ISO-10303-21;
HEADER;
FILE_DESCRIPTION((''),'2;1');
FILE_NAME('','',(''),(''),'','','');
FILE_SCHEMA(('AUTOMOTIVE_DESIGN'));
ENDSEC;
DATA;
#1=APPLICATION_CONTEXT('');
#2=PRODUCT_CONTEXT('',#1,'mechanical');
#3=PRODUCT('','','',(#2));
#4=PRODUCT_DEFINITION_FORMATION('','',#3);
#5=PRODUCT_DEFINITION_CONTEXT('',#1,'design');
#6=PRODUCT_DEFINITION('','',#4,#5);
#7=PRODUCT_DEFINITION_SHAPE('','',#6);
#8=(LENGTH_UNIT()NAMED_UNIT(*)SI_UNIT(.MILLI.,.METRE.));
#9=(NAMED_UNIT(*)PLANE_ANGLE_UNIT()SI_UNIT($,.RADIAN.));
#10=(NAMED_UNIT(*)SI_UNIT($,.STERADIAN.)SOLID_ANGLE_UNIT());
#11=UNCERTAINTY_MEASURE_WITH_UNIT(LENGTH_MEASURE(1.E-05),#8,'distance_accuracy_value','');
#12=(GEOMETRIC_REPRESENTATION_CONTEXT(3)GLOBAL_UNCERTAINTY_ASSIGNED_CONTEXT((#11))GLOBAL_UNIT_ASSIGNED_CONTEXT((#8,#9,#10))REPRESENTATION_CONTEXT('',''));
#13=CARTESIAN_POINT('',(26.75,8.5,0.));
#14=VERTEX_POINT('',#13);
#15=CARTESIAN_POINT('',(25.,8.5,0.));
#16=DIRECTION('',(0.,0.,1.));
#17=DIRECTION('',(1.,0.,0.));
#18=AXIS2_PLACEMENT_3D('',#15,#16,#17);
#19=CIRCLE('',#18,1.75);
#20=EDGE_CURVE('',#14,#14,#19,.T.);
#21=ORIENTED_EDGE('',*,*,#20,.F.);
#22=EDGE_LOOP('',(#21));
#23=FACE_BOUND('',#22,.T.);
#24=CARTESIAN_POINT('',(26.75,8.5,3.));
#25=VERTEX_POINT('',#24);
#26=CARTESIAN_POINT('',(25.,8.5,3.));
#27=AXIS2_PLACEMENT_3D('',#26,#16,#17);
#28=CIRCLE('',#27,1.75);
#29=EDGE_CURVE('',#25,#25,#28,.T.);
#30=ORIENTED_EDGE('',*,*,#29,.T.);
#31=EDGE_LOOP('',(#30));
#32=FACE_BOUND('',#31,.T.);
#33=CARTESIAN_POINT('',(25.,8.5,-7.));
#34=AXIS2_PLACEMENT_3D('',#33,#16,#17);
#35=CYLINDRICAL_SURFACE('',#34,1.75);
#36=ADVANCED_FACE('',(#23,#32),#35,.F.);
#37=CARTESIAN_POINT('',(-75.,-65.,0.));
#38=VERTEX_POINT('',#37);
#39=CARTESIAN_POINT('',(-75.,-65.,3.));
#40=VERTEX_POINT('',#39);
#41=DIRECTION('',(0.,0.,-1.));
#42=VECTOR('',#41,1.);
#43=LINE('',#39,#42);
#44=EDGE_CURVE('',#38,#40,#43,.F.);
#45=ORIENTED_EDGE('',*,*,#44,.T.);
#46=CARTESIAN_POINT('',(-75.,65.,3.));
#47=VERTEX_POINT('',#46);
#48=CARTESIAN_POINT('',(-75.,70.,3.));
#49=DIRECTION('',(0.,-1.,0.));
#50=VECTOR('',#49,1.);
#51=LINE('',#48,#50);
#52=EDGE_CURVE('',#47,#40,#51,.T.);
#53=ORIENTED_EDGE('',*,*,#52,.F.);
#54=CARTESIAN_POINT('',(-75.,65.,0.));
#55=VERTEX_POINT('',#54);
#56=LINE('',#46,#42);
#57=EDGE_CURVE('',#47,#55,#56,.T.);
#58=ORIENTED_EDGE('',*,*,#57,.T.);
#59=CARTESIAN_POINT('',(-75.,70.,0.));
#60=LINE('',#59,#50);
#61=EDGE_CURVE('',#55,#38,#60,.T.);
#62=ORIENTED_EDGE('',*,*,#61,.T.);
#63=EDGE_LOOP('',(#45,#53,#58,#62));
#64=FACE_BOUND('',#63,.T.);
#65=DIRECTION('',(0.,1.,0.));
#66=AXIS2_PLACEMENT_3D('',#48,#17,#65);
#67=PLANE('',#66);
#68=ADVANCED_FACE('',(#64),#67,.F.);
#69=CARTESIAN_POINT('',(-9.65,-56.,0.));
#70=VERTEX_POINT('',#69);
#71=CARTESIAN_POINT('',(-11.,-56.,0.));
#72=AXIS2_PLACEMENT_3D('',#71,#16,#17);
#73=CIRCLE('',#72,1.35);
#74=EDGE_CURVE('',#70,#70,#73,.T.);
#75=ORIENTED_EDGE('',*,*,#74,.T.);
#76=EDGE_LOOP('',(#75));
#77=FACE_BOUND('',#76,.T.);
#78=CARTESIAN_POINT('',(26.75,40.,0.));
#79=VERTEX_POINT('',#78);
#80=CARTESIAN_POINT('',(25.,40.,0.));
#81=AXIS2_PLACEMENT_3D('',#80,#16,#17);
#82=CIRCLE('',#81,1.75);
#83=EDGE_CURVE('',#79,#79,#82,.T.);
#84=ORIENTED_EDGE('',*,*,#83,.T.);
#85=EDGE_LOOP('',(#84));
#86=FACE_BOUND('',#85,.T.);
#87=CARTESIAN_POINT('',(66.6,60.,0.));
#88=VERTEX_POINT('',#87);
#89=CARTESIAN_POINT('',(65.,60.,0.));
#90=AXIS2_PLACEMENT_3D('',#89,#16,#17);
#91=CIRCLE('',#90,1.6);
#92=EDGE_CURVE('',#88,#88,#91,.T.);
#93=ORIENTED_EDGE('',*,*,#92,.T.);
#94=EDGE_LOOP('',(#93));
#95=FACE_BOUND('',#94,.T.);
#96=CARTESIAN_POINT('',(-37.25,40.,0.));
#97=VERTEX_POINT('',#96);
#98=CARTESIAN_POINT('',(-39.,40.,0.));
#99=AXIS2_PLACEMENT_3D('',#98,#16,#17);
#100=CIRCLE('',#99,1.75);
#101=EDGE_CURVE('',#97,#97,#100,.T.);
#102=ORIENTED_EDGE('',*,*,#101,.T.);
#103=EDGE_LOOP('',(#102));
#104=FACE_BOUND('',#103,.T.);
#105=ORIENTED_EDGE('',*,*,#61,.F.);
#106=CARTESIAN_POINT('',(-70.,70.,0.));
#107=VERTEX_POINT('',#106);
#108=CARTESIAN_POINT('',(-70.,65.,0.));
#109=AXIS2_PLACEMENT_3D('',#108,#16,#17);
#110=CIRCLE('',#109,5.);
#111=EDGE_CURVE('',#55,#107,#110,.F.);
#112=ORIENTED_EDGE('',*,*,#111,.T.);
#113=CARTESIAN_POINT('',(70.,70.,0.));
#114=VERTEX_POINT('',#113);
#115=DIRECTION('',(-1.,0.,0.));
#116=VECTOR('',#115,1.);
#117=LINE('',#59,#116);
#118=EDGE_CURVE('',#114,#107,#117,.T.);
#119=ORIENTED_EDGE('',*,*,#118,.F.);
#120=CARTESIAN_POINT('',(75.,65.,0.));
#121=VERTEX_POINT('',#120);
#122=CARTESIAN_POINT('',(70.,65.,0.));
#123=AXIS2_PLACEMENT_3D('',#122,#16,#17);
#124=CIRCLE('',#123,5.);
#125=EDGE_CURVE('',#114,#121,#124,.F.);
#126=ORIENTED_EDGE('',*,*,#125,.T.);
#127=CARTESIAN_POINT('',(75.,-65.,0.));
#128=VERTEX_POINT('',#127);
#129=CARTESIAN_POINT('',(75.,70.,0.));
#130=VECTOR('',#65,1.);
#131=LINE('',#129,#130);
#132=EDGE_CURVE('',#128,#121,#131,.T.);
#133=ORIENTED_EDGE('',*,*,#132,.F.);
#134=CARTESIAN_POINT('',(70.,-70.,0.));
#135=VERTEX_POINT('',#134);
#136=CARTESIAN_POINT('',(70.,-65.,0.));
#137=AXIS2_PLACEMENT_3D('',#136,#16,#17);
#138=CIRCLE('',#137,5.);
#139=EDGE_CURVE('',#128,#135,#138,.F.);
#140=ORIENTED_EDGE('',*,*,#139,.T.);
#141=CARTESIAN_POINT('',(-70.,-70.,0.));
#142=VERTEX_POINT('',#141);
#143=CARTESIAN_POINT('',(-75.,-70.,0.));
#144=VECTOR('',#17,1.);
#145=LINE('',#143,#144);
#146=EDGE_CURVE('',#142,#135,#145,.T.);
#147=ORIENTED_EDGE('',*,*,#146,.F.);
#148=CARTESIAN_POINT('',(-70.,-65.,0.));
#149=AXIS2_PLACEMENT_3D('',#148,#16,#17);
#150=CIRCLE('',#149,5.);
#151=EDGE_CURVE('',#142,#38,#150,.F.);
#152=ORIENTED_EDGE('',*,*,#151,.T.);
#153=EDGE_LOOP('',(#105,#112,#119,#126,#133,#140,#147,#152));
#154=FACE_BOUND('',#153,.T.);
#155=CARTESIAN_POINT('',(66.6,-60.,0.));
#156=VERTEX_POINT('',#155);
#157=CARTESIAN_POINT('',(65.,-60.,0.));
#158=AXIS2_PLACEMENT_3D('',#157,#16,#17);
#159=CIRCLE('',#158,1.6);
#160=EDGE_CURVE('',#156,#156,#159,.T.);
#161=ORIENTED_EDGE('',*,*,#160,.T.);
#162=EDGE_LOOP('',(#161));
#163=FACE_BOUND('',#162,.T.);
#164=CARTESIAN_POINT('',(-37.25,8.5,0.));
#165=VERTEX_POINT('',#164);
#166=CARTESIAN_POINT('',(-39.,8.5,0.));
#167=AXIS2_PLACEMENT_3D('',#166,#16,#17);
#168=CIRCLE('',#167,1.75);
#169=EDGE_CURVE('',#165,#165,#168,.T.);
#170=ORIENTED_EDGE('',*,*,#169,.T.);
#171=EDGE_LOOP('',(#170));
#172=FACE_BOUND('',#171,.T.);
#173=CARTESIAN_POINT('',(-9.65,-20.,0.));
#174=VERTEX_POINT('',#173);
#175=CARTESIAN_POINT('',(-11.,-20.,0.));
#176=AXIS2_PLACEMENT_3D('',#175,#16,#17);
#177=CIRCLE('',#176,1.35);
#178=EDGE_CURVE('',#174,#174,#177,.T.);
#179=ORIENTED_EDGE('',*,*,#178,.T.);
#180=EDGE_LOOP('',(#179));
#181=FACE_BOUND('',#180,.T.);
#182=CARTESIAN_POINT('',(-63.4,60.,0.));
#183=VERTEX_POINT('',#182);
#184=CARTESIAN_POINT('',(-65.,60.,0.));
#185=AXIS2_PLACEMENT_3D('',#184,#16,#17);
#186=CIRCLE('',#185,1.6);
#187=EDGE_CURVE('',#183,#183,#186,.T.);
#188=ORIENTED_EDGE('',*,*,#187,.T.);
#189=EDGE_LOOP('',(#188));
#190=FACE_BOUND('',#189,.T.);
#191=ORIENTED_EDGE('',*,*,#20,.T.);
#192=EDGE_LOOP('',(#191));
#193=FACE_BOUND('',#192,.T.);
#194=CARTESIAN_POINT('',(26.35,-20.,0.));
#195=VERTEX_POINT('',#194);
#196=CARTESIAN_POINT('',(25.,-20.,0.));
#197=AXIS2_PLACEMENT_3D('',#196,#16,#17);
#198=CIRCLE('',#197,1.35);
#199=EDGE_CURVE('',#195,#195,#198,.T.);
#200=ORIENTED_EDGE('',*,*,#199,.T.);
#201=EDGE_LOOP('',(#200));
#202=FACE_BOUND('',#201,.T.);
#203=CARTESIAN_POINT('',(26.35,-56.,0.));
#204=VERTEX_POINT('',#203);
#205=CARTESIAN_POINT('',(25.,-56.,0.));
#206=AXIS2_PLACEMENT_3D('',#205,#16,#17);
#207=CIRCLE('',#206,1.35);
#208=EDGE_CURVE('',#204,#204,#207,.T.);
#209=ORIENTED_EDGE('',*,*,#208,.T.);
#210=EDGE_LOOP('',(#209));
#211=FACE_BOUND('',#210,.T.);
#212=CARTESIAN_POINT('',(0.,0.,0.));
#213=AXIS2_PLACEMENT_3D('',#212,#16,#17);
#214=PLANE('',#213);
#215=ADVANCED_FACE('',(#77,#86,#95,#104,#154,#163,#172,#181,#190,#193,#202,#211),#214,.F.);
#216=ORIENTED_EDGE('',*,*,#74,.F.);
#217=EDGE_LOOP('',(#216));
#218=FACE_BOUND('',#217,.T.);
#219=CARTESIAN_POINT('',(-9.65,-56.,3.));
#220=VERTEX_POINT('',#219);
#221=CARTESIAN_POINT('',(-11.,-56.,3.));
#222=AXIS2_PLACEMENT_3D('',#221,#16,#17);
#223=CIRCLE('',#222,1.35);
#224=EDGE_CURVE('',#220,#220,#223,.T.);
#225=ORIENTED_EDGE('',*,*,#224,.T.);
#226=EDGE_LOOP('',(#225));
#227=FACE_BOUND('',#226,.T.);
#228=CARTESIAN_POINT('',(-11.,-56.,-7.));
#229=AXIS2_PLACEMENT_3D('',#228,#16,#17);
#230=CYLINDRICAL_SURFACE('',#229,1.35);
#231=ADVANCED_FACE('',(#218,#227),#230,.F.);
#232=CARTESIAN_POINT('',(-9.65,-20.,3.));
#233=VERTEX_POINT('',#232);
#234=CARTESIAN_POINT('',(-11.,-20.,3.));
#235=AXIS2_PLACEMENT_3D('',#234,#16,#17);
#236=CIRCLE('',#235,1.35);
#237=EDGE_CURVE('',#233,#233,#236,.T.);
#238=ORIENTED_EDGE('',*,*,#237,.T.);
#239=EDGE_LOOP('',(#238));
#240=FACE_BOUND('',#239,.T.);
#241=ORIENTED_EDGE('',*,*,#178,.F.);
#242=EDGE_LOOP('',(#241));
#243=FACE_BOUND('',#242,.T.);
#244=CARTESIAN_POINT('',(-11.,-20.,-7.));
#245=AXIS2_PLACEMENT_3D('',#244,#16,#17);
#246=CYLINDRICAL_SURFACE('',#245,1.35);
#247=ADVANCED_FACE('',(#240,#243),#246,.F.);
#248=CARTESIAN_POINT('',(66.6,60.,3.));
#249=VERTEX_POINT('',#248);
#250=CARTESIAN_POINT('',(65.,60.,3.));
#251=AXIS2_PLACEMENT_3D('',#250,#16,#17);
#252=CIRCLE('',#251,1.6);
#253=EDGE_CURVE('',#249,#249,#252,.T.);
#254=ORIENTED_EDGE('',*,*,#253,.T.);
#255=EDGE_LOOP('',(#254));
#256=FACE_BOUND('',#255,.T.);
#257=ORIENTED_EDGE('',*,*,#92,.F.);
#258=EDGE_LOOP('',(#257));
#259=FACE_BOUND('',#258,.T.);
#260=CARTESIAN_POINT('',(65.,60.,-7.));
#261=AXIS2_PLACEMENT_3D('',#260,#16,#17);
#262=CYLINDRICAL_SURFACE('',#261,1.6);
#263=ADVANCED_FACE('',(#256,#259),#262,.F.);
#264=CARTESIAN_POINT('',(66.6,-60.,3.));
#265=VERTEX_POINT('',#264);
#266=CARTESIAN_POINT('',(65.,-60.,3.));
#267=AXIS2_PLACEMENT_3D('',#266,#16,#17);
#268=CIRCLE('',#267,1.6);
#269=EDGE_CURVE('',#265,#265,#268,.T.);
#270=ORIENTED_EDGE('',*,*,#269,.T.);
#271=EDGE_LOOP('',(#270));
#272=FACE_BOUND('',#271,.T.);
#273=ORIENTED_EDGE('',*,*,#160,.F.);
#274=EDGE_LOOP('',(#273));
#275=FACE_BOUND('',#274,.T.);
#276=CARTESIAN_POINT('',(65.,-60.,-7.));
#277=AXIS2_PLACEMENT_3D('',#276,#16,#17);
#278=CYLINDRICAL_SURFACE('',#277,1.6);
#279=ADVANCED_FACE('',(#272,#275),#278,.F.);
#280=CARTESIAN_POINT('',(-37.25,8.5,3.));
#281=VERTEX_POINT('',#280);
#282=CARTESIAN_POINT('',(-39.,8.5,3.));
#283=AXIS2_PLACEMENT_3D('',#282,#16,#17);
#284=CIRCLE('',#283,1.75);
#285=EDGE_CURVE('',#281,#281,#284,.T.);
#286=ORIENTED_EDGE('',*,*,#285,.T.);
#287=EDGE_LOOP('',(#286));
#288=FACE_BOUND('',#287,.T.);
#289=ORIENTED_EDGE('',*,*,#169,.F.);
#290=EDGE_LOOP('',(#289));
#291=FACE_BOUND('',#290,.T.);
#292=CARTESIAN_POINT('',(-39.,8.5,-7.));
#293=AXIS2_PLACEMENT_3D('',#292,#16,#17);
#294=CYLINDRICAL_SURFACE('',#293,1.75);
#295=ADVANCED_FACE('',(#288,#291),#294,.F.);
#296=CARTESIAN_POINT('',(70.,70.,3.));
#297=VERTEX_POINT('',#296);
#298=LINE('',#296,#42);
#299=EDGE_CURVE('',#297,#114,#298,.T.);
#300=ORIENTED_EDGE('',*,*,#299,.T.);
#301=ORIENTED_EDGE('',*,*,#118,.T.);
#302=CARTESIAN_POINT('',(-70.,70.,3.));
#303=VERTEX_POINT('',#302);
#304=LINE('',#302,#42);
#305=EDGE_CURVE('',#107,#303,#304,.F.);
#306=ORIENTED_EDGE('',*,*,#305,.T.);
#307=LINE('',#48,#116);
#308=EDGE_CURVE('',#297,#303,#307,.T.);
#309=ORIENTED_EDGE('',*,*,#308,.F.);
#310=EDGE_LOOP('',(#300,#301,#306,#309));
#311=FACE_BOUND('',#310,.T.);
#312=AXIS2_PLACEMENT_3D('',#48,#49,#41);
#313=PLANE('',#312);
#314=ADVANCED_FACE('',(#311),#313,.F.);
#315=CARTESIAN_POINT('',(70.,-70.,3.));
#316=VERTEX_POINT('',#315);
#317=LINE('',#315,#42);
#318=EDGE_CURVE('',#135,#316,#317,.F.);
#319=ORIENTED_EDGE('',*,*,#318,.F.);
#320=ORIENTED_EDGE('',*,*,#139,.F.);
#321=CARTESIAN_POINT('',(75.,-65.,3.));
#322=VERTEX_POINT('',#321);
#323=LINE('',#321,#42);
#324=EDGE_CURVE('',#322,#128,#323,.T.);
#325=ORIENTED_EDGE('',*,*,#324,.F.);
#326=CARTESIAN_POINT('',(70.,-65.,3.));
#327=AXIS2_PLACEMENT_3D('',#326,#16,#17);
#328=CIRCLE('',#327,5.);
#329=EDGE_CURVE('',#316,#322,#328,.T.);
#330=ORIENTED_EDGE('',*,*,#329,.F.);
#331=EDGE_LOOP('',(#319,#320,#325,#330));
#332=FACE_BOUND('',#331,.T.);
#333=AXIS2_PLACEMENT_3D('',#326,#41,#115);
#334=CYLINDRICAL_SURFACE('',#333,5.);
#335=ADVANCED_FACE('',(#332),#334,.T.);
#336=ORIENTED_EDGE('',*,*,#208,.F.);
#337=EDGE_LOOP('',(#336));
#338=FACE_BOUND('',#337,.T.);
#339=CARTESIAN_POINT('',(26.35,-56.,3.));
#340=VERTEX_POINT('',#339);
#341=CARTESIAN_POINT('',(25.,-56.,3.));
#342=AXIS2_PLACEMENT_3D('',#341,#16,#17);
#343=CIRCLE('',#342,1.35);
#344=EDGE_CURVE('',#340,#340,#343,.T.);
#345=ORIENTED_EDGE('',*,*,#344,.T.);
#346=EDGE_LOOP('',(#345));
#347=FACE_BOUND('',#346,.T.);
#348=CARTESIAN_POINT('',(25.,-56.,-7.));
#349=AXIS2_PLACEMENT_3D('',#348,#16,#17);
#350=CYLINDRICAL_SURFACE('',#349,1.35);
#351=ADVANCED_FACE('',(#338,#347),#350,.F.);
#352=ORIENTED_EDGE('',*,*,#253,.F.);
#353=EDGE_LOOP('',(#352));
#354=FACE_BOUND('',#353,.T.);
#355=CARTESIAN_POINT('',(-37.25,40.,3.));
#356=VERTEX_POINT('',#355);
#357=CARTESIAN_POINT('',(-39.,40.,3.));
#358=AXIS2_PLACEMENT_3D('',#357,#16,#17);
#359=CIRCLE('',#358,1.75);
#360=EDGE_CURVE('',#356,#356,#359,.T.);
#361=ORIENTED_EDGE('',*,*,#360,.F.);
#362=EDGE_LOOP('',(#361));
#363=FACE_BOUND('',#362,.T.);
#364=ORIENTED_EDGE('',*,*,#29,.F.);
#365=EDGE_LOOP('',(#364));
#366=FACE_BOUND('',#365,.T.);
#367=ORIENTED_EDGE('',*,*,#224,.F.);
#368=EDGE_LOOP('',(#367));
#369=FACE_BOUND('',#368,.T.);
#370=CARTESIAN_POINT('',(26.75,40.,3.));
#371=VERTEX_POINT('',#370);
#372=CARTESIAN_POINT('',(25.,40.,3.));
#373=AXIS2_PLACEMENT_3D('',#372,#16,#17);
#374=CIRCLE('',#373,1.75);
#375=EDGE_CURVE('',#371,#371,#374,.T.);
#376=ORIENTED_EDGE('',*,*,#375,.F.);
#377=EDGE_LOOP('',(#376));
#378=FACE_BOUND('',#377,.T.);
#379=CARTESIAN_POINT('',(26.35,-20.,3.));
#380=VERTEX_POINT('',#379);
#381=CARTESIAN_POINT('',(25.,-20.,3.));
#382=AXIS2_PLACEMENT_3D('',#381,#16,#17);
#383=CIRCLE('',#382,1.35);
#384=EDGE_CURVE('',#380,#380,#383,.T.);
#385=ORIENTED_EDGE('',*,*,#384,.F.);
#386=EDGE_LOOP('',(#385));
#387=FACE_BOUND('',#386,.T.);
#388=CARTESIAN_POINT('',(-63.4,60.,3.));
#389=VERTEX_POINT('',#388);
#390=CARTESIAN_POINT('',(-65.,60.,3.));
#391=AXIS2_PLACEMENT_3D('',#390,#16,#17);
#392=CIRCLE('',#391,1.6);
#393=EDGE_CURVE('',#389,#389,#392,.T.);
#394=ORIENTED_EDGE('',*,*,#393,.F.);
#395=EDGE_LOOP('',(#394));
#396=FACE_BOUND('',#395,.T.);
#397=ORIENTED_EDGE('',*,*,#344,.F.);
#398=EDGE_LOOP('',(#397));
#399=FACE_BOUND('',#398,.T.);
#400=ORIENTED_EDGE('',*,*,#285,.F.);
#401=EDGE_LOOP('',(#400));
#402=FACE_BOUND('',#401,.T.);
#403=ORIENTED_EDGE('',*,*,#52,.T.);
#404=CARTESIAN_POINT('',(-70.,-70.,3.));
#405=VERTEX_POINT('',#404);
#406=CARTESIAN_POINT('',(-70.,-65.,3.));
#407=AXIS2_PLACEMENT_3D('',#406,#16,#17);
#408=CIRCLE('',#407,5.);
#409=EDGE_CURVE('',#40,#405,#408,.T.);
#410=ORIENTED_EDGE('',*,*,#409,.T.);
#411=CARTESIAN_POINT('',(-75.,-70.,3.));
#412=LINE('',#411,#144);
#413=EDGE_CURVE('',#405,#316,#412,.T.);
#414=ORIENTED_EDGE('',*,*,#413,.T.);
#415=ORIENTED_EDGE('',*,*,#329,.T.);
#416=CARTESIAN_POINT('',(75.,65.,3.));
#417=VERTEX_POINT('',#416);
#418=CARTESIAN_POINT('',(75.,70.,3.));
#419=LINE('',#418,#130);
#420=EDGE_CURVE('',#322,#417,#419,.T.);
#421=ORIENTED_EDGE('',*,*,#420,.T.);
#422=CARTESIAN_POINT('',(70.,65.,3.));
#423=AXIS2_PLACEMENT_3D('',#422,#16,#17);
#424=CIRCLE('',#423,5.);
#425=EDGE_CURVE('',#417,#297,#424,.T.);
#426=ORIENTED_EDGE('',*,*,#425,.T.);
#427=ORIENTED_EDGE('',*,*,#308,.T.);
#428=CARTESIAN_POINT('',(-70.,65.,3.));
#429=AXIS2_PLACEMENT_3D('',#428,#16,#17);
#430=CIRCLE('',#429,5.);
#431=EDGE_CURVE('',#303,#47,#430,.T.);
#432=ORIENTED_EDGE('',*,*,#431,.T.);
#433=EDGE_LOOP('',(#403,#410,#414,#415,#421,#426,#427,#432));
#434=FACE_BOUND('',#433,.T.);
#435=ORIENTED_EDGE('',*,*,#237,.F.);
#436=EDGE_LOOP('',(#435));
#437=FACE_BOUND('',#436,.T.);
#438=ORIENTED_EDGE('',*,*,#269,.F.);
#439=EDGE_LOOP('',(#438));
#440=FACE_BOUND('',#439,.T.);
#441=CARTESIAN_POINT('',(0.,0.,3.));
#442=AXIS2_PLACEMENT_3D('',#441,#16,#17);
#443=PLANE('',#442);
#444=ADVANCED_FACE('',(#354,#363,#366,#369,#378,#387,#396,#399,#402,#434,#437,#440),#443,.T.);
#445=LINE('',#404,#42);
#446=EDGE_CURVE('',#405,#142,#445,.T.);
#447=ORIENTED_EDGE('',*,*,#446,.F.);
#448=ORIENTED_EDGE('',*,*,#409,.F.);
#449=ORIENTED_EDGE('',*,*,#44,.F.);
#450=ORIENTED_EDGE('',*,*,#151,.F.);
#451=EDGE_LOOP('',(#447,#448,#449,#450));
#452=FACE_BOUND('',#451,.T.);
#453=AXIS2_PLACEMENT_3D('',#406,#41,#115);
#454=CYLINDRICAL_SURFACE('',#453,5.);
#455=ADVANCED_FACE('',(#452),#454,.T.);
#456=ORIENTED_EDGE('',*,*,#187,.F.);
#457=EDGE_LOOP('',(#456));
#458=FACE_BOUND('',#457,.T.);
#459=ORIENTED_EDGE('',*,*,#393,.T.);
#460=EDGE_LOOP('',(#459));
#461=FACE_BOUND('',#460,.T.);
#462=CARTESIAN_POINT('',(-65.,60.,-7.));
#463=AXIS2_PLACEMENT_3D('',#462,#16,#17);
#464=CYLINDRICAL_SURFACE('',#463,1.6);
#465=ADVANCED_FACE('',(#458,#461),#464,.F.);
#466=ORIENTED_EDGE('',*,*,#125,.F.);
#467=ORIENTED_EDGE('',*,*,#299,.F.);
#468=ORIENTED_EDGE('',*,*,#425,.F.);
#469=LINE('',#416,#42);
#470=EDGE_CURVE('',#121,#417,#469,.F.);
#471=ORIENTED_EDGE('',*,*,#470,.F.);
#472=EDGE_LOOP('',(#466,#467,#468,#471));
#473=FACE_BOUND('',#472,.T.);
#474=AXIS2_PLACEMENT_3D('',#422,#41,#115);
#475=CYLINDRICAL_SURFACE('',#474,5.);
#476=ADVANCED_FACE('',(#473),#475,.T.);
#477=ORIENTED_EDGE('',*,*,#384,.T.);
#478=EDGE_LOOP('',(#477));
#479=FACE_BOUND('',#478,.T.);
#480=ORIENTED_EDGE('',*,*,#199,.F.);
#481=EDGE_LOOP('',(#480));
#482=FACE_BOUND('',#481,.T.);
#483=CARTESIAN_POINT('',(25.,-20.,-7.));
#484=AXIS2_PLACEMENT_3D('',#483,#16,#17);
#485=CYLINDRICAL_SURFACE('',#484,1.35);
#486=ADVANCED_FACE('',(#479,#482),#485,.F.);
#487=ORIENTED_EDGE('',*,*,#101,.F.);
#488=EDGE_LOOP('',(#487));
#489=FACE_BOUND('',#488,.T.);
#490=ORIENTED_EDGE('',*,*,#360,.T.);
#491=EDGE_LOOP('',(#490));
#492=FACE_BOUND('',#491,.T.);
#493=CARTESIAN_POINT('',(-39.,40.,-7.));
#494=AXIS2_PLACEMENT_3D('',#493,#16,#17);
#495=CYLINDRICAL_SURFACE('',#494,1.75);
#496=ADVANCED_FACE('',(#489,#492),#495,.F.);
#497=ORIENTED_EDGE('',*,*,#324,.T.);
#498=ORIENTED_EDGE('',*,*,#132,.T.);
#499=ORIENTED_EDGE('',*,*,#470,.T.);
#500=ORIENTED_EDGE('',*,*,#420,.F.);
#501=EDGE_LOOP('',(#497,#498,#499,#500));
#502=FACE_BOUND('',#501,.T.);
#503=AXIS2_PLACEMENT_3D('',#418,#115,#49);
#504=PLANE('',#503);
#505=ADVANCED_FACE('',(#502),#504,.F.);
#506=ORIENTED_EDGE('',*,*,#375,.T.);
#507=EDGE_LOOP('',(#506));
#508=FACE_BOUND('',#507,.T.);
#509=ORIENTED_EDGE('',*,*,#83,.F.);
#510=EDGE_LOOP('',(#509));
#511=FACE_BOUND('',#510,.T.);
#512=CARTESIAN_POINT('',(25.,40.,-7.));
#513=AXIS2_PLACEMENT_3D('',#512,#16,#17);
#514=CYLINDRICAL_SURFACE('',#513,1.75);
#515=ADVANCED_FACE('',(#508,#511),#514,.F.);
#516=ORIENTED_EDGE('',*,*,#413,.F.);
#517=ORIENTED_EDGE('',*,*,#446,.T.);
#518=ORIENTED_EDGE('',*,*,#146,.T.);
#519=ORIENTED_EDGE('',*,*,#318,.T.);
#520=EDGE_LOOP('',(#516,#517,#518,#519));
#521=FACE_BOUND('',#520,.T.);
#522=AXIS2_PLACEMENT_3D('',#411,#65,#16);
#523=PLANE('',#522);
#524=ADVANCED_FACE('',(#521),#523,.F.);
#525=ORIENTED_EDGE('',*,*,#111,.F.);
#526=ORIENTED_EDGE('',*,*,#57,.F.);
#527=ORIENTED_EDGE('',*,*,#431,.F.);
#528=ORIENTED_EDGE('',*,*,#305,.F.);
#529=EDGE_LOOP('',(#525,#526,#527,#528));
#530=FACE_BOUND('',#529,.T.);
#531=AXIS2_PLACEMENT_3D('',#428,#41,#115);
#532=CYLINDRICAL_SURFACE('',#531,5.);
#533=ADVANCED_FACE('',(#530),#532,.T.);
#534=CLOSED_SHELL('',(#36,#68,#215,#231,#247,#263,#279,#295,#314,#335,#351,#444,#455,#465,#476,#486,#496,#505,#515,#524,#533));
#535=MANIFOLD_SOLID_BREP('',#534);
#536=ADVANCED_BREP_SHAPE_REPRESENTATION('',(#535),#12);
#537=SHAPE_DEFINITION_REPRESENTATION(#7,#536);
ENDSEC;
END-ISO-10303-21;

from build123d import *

# Parameters (mm, degrees)
SKETCH_1_W          = 150
SKETCH_1_H          = 140
EXTRUDE_1_DEPTH     = 3
SKETCH_3_R          = 1.75
CUT_EXTRUDE_1_DEPTH = 10
SKETCH_4_R          = 1.35
CUT_EXTRUDE_2_DEPTH = 10
SKETCH_5_R          = 1.6
CUT_EXTRUDE_3_DEPTH = 10
FILLET_1_R          = 5


with BuildPart() as part:
    # 草图1 → 凸台-拉伸1 (new body)
    with BuildSketch(Plane.XY):
        Rectangle(SKETCH_1_W, SKETCH_1_H)
    extrude(amount=EXTRUDE_1_DEPTH)

    # 草图3 → 切除-拉伸1 (cut)
    with BuildSketch(Plane.XY.offset(3)):
        with Locations((25, 40)):
            Circle(SKETCH_3_R)
        with Locations((-39, 40)):
            Circle(SKETCH_3_R)
        with Locations((25, 8.5)):
            Circle(SKETCH_3_R)
        with Locations((-39, 8.5)):
            Circle(SKETCH_3_R)
    extrude(amount=-CUT_EXTRUDE_1_DEPTH, mode=Mode.SUBTRACT)

    # 草图4 → 切除-拉伸2 (cut)
    with BuildSketch(Plane.XY.offset(3)):
        with Locations((25, -20)):
            Circle(SKETCH_4_R)
        with Locations((-11, -20)):
            Circle(SKETCH_4_R)
        with Locations((-11, -56)):
            Circle(SKETCH_4_R)
        with Locations((25, -56)):
            Circle(SKETCH_4_R)
    extrude(amount=-CUT_EXTRUDE_2_DEPTH, mode=Mode.SUBTRACT)

    # 草图5 → 切除-拉伸3 (cut)
    with BuildSketch(Plane.XY.offset(3)):
        with Locations((65, 60)):
            Circle(SKETCH_5_R)
        with Locations((-65, 60)):
            Circle(SKETCH_5_R)
        with Locations((65, -60)):
            Circle(SKETCH_5_R)
    extrude(amount=-CUT_EXTRUDE_3_DEPTH, mode=Mode.SUBTRACT)

    # 圆角1
    fillet_1_edges = [part.edges().sort_by_distance(p)[0] for p in [
        (75, -70, 1.5),
        (-75, -70, 1.5),
        (-75, 70, 1.5),
        (75, 70, 1.5),
    ]]
    fillet(fillet_1_edges, radius=FILLET_1_R)


solid = part.part
